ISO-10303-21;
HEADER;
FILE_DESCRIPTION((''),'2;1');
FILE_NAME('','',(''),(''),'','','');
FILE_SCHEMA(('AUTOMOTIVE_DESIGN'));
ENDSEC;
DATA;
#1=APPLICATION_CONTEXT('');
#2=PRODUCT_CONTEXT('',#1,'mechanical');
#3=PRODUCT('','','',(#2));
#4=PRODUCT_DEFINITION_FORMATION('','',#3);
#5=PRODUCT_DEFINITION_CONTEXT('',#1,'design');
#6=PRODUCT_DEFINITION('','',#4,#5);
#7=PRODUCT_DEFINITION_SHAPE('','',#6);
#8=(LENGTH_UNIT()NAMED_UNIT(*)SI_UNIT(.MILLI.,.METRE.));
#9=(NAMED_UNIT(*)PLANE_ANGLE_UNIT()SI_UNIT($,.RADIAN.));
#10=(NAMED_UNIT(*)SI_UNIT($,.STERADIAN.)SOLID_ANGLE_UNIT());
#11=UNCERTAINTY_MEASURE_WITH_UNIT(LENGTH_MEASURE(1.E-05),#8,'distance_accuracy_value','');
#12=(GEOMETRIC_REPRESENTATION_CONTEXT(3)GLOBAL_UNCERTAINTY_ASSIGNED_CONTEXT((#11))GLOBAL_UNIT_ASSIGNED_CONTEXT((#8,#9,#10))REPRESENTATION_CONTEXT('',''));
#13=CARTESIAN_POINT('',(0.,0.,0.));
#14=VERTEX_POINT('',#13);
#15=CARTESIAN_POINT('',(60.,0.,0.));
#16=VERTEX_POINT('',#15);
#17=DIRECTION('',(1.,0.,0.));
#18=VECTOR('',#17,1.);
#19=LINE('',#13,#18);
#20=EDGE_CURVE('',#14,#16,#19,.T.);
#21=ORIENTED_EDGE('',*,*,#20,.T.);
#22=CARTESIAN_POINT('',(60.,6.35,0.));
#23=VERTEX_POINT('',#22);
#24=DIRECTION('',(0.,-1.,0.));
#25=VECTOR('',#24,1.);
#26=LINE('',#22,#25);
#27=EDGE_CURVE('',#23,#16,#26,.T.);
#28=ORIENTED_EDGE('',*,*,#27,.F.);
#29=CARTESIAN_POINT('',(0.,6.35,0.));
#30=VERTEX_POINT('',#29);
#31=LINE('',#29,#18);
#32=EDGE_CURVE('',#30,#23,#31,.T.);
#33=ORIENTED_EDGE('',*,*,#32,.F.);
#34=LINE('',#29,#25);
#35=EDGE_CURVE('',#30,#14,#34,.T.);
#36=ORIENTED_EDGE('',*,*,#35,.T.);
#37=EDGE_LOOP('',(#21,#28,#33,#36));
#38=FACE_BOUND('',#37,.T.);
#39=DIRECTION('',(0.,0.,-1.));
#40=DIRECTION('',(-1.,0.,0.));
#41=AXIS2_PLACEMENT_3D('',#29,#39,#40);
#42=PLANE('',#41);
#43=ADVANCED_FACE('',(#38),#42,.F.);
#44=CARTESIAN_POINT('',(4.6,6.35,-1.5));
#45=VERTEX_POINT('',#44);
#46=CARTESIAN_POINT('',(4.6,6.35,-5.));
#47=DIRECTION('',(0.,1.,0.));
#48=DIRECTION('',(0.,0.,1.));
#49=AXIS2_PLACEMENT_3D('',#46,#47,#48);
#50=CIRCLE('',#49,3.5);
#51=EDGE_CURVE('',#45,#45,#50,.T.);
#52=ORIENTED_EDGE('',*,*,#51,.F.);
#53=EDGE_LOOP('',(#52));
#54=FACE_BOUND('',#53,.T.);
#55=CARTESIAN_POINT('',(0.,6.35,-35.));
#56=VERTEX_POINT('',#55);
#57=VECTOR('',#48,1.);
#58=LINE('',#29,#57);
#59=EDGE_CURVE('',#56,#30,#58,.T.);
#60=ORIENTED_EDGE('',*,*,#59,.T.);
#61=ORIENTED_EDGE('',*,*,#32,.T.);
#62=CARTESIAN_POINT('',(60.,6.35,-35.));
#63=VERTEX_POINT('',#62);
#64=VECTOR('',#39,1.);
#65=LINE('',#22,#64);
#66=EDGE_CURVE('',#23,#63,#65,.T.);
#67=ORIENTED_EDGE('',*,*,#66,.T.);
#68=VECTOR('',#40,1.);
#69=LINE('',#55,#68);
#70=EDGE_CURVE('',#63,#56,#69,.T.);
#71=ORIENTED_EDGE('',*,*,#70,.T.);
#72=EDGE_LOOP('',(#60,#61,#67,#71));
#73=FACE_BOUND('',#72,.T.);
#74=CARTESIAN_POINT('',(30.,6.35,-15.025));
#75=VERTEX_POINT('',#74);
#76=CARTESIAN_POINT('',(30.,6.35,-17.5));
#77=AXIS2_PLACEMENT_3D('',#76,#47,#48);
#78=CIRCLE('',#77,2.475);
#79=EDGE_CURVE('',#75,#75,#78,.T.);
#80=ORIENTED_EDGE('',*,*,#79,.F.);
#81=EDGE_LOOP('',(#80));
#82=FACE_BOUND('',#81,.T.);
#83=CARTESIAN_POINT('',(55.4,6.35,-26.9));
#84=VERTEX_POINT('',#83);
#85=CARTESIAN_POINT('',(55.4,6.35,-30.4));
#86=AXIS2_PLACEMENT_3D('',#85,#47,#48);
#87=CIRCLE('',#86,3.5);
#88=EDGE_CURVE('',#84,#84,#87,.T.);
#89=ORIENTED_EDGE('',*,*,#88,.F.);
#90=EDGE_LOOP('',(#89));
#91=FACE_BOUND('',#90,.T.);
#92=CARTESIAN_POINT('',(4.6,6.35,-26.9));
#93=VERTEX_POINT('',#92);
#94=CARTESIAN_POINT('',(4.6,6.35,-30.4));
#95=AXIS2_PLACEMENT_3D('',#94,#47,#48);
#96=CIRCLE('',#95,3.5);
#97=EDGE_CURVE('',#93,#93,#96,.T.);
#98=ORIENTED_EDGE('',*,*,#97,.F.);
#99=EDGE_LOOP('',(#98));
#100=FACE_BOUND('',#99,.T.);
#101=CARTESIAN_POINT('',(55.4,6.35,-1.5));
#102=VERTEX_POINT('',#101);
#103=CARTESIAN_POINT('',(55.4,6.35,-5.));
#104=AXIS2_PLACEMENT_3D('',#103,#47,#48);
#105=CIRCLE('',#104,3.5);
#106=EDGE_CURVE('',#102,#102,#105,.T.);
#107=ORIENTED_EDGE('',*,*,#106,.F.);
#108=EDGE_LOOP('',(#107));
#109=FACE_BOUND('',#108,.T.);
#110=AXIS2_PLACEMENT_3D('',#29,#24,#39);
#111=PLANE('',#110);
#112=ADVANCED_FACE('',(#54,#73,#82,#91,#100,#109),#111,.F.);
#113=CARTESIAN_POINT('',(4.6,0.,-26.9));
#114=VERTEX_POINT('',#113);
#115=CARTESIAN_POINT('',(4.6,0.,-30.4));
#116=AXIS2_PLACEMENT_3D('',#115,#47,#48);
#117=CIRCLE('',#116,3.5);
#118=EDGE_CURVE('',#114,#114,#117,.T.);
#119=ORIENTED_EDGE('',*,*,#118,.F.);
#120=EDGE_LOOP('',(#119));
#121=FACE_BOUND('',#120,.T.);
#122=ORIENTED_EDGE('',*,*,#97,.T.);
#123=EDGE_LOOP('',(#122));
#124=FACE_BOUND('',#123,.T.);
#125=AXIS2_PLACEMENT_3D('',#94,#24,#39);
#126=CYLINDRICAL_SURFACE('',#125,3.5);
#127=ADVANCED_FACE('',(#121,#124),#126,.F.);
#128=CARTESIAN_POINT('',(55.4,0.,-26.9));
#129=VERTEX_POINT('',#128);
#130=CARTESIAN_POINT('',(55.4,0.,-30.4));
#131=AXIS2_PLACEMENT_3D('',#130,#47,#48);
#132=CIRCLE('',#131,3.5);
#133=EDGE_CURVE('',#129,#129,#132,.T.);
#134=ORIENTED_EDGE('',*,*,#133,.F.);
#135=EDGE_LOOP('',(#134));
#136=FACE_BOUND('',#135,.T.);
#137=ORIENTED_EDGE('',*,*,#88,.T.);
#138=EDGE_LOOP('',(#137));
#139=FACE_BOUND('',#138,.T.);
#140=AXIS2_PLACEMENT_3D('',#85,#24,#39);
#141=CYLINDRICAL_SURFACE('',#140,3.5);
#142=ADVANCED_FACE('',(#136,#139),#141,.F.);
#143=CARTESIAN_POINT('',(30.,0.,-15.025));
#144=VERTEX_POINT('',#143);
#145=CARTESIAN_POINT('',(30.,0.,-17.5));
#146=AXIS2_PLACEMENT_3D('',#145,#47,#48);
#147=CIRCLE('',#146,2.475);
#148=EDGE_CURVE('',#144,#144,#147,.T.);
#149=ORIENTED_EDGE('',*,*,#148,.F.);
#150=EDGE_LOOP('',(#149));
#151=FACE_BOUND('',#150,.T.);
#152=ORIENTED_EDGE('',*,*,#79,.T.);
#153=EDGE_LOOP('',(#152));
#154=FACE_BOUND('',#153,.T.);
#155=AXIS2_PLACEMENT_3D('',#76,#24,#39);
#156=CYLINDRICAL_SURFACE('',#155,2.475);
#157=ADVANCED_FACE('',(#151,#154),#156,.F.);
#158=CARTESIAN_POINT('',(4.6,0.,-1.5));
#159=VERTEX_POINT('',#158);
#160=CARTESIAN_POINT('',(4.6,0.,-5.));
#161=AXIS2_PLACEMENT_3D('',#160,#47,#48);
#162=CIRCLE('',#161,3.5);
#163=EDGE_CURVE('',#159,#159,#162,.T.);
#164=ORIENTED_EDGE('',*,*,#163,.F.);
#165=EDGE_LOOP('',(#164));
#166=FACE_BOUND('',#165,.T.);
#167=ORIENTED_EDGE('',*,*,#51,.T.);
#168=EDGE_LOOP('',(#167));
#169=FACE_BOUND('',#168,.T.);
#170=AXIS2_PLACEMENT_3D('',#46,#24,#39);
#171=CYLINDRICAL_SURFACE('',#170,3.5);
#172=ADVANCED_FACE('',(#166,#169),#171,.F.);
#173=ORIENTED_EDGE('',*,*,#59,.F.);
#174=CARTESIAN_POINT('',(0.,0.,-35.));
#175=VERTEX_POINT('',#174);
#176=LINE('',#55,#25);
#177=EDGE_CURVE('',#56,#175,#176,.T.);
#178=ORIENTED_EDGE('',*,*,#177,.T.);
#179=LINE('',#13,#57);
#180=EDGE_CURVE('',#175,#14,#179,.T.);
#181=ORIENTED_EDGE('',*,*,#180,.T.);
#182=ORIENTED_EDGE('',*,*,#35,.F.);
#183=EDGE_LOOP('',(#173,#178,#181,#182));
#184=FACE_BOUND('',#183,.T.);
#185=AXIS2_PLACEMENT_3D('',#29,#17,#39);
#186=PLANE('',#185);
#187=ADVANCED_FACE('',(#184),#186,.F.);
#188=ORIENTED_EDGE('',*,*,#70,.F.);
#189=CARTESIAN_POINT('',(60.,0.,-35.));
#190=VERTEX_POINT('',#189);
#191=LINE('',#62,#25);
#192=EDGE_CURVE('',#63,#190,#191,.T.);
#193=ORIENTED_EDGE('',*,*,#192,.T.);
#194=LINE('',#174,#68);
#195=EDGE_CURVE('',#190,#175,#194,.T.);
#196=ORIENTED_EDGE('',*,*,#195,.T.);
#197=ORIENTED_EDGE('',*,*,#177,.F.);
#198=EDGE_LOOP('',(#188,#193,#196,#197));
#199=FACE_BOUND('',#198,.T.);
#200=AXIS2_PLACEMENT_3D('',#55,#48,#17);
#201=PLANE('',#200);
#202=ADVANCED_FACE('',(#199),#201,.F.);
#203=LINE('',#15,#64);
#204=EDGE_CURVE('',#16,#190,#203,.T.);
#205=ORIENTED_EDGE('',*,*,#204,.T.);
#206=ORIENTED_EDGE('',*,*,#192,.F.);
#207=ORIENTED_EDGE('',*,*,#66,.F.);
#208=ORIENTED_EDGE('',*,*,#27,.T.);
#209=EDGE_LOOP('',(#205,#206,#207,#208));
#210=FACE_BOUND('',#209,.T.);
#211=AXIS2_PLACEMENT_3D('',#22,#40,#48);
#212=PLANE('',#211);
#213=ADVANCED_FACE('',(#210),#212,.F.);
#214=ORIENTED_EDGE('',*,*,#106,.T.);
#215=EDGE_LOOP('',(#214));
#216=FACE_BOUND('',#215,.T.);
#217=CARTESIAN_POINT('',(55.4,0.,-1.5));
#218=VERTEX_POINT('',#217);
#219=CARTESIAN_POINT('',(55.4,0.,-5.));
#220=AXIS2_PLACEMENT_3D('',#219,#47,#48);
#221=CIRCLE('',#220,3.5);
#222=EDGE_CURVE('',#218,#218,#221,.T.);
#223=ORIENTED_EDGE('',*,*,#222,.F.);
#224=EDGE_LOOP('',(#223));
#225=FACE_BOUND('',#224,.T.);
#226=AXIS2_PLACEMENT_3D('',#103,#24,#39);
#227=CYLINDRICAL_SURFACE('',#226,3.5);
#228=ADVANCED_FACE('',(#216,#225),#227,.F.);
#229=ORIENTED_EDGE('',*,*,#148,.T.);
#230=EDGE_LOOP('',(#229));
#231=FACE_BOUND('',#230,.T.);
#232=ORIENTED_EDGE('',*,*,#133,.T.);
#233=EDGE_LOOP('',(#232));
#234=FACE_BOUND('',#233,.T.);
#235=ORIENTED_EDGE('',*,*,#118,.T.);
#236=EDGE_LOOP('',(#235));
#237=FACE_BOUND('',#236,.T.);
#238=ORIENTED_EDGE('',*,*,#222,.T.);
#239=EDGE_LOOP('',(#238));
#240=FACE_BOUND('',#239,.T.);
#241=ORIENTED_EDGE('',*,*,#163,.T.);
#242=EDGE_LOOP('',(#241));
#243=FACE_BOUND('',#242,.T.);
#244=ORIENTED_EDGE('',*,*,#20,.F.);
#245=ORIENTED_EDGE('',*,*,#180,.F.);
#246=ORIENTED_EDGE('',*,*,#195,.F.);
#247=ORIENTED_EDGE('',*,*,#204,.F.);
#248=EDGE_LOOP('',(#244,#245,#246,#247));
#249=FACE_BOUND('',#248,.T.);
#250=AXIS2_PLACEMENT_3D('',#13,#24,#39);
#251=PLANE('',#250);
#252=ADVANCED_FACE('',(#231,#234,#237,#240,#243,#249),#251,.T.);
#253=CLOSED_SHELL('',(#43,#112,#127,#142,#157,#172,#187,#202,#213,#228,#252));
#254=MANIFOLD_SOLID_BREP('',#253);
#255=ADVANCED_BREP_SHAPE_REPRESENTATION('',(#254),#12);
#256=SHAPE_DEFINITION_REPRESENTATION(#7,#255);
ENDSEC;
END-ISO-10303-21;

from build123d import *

# Parameters (mm, degrees)
SKETCH1_W           = 60
SKETCH1_H           = 35
SKETCH1_R           = 3.5
SKETCH1_R_2         = 2.475
BOSS_EXTRUDE1_DEPTH = 6.35


with BuildPart() as part:
    # Sketch1 → Boss-Extrude1 (new body)
    with BuildSketch(Plane(origin=(0, 0, 0), x_dir=(1, 0, 0), z_dir=(0, 1, 0))):
        with Locations((30, 17.5)):
            Rectangle(SKETCH1_W, SKETCH1_H)
        with Locations((4.6, 30.4)):
            Circle(SKETCH1_R, mode=Mode.SUBTRACT)
        with Locations((55.4, 30.4)):
            Circle(SKETCH1_R, mode=Mode.SUBTRACT)
        with Locations((4.6, 5)):
            Circle(SKETCH1_R, mode=Mode.SUBTRACT)
        with Locations((55.4, 5)):
            Circle(SKETCH1_R, mode=Mode.SUBTRACT)
        with Locations((30, 17.5)):
            Circle(SKETCH1_R_2, mode=Mode.SUBTRACT)
    extrude(amount=BOSS_EXTRUDE1_DEPTH)


solid = part.part
